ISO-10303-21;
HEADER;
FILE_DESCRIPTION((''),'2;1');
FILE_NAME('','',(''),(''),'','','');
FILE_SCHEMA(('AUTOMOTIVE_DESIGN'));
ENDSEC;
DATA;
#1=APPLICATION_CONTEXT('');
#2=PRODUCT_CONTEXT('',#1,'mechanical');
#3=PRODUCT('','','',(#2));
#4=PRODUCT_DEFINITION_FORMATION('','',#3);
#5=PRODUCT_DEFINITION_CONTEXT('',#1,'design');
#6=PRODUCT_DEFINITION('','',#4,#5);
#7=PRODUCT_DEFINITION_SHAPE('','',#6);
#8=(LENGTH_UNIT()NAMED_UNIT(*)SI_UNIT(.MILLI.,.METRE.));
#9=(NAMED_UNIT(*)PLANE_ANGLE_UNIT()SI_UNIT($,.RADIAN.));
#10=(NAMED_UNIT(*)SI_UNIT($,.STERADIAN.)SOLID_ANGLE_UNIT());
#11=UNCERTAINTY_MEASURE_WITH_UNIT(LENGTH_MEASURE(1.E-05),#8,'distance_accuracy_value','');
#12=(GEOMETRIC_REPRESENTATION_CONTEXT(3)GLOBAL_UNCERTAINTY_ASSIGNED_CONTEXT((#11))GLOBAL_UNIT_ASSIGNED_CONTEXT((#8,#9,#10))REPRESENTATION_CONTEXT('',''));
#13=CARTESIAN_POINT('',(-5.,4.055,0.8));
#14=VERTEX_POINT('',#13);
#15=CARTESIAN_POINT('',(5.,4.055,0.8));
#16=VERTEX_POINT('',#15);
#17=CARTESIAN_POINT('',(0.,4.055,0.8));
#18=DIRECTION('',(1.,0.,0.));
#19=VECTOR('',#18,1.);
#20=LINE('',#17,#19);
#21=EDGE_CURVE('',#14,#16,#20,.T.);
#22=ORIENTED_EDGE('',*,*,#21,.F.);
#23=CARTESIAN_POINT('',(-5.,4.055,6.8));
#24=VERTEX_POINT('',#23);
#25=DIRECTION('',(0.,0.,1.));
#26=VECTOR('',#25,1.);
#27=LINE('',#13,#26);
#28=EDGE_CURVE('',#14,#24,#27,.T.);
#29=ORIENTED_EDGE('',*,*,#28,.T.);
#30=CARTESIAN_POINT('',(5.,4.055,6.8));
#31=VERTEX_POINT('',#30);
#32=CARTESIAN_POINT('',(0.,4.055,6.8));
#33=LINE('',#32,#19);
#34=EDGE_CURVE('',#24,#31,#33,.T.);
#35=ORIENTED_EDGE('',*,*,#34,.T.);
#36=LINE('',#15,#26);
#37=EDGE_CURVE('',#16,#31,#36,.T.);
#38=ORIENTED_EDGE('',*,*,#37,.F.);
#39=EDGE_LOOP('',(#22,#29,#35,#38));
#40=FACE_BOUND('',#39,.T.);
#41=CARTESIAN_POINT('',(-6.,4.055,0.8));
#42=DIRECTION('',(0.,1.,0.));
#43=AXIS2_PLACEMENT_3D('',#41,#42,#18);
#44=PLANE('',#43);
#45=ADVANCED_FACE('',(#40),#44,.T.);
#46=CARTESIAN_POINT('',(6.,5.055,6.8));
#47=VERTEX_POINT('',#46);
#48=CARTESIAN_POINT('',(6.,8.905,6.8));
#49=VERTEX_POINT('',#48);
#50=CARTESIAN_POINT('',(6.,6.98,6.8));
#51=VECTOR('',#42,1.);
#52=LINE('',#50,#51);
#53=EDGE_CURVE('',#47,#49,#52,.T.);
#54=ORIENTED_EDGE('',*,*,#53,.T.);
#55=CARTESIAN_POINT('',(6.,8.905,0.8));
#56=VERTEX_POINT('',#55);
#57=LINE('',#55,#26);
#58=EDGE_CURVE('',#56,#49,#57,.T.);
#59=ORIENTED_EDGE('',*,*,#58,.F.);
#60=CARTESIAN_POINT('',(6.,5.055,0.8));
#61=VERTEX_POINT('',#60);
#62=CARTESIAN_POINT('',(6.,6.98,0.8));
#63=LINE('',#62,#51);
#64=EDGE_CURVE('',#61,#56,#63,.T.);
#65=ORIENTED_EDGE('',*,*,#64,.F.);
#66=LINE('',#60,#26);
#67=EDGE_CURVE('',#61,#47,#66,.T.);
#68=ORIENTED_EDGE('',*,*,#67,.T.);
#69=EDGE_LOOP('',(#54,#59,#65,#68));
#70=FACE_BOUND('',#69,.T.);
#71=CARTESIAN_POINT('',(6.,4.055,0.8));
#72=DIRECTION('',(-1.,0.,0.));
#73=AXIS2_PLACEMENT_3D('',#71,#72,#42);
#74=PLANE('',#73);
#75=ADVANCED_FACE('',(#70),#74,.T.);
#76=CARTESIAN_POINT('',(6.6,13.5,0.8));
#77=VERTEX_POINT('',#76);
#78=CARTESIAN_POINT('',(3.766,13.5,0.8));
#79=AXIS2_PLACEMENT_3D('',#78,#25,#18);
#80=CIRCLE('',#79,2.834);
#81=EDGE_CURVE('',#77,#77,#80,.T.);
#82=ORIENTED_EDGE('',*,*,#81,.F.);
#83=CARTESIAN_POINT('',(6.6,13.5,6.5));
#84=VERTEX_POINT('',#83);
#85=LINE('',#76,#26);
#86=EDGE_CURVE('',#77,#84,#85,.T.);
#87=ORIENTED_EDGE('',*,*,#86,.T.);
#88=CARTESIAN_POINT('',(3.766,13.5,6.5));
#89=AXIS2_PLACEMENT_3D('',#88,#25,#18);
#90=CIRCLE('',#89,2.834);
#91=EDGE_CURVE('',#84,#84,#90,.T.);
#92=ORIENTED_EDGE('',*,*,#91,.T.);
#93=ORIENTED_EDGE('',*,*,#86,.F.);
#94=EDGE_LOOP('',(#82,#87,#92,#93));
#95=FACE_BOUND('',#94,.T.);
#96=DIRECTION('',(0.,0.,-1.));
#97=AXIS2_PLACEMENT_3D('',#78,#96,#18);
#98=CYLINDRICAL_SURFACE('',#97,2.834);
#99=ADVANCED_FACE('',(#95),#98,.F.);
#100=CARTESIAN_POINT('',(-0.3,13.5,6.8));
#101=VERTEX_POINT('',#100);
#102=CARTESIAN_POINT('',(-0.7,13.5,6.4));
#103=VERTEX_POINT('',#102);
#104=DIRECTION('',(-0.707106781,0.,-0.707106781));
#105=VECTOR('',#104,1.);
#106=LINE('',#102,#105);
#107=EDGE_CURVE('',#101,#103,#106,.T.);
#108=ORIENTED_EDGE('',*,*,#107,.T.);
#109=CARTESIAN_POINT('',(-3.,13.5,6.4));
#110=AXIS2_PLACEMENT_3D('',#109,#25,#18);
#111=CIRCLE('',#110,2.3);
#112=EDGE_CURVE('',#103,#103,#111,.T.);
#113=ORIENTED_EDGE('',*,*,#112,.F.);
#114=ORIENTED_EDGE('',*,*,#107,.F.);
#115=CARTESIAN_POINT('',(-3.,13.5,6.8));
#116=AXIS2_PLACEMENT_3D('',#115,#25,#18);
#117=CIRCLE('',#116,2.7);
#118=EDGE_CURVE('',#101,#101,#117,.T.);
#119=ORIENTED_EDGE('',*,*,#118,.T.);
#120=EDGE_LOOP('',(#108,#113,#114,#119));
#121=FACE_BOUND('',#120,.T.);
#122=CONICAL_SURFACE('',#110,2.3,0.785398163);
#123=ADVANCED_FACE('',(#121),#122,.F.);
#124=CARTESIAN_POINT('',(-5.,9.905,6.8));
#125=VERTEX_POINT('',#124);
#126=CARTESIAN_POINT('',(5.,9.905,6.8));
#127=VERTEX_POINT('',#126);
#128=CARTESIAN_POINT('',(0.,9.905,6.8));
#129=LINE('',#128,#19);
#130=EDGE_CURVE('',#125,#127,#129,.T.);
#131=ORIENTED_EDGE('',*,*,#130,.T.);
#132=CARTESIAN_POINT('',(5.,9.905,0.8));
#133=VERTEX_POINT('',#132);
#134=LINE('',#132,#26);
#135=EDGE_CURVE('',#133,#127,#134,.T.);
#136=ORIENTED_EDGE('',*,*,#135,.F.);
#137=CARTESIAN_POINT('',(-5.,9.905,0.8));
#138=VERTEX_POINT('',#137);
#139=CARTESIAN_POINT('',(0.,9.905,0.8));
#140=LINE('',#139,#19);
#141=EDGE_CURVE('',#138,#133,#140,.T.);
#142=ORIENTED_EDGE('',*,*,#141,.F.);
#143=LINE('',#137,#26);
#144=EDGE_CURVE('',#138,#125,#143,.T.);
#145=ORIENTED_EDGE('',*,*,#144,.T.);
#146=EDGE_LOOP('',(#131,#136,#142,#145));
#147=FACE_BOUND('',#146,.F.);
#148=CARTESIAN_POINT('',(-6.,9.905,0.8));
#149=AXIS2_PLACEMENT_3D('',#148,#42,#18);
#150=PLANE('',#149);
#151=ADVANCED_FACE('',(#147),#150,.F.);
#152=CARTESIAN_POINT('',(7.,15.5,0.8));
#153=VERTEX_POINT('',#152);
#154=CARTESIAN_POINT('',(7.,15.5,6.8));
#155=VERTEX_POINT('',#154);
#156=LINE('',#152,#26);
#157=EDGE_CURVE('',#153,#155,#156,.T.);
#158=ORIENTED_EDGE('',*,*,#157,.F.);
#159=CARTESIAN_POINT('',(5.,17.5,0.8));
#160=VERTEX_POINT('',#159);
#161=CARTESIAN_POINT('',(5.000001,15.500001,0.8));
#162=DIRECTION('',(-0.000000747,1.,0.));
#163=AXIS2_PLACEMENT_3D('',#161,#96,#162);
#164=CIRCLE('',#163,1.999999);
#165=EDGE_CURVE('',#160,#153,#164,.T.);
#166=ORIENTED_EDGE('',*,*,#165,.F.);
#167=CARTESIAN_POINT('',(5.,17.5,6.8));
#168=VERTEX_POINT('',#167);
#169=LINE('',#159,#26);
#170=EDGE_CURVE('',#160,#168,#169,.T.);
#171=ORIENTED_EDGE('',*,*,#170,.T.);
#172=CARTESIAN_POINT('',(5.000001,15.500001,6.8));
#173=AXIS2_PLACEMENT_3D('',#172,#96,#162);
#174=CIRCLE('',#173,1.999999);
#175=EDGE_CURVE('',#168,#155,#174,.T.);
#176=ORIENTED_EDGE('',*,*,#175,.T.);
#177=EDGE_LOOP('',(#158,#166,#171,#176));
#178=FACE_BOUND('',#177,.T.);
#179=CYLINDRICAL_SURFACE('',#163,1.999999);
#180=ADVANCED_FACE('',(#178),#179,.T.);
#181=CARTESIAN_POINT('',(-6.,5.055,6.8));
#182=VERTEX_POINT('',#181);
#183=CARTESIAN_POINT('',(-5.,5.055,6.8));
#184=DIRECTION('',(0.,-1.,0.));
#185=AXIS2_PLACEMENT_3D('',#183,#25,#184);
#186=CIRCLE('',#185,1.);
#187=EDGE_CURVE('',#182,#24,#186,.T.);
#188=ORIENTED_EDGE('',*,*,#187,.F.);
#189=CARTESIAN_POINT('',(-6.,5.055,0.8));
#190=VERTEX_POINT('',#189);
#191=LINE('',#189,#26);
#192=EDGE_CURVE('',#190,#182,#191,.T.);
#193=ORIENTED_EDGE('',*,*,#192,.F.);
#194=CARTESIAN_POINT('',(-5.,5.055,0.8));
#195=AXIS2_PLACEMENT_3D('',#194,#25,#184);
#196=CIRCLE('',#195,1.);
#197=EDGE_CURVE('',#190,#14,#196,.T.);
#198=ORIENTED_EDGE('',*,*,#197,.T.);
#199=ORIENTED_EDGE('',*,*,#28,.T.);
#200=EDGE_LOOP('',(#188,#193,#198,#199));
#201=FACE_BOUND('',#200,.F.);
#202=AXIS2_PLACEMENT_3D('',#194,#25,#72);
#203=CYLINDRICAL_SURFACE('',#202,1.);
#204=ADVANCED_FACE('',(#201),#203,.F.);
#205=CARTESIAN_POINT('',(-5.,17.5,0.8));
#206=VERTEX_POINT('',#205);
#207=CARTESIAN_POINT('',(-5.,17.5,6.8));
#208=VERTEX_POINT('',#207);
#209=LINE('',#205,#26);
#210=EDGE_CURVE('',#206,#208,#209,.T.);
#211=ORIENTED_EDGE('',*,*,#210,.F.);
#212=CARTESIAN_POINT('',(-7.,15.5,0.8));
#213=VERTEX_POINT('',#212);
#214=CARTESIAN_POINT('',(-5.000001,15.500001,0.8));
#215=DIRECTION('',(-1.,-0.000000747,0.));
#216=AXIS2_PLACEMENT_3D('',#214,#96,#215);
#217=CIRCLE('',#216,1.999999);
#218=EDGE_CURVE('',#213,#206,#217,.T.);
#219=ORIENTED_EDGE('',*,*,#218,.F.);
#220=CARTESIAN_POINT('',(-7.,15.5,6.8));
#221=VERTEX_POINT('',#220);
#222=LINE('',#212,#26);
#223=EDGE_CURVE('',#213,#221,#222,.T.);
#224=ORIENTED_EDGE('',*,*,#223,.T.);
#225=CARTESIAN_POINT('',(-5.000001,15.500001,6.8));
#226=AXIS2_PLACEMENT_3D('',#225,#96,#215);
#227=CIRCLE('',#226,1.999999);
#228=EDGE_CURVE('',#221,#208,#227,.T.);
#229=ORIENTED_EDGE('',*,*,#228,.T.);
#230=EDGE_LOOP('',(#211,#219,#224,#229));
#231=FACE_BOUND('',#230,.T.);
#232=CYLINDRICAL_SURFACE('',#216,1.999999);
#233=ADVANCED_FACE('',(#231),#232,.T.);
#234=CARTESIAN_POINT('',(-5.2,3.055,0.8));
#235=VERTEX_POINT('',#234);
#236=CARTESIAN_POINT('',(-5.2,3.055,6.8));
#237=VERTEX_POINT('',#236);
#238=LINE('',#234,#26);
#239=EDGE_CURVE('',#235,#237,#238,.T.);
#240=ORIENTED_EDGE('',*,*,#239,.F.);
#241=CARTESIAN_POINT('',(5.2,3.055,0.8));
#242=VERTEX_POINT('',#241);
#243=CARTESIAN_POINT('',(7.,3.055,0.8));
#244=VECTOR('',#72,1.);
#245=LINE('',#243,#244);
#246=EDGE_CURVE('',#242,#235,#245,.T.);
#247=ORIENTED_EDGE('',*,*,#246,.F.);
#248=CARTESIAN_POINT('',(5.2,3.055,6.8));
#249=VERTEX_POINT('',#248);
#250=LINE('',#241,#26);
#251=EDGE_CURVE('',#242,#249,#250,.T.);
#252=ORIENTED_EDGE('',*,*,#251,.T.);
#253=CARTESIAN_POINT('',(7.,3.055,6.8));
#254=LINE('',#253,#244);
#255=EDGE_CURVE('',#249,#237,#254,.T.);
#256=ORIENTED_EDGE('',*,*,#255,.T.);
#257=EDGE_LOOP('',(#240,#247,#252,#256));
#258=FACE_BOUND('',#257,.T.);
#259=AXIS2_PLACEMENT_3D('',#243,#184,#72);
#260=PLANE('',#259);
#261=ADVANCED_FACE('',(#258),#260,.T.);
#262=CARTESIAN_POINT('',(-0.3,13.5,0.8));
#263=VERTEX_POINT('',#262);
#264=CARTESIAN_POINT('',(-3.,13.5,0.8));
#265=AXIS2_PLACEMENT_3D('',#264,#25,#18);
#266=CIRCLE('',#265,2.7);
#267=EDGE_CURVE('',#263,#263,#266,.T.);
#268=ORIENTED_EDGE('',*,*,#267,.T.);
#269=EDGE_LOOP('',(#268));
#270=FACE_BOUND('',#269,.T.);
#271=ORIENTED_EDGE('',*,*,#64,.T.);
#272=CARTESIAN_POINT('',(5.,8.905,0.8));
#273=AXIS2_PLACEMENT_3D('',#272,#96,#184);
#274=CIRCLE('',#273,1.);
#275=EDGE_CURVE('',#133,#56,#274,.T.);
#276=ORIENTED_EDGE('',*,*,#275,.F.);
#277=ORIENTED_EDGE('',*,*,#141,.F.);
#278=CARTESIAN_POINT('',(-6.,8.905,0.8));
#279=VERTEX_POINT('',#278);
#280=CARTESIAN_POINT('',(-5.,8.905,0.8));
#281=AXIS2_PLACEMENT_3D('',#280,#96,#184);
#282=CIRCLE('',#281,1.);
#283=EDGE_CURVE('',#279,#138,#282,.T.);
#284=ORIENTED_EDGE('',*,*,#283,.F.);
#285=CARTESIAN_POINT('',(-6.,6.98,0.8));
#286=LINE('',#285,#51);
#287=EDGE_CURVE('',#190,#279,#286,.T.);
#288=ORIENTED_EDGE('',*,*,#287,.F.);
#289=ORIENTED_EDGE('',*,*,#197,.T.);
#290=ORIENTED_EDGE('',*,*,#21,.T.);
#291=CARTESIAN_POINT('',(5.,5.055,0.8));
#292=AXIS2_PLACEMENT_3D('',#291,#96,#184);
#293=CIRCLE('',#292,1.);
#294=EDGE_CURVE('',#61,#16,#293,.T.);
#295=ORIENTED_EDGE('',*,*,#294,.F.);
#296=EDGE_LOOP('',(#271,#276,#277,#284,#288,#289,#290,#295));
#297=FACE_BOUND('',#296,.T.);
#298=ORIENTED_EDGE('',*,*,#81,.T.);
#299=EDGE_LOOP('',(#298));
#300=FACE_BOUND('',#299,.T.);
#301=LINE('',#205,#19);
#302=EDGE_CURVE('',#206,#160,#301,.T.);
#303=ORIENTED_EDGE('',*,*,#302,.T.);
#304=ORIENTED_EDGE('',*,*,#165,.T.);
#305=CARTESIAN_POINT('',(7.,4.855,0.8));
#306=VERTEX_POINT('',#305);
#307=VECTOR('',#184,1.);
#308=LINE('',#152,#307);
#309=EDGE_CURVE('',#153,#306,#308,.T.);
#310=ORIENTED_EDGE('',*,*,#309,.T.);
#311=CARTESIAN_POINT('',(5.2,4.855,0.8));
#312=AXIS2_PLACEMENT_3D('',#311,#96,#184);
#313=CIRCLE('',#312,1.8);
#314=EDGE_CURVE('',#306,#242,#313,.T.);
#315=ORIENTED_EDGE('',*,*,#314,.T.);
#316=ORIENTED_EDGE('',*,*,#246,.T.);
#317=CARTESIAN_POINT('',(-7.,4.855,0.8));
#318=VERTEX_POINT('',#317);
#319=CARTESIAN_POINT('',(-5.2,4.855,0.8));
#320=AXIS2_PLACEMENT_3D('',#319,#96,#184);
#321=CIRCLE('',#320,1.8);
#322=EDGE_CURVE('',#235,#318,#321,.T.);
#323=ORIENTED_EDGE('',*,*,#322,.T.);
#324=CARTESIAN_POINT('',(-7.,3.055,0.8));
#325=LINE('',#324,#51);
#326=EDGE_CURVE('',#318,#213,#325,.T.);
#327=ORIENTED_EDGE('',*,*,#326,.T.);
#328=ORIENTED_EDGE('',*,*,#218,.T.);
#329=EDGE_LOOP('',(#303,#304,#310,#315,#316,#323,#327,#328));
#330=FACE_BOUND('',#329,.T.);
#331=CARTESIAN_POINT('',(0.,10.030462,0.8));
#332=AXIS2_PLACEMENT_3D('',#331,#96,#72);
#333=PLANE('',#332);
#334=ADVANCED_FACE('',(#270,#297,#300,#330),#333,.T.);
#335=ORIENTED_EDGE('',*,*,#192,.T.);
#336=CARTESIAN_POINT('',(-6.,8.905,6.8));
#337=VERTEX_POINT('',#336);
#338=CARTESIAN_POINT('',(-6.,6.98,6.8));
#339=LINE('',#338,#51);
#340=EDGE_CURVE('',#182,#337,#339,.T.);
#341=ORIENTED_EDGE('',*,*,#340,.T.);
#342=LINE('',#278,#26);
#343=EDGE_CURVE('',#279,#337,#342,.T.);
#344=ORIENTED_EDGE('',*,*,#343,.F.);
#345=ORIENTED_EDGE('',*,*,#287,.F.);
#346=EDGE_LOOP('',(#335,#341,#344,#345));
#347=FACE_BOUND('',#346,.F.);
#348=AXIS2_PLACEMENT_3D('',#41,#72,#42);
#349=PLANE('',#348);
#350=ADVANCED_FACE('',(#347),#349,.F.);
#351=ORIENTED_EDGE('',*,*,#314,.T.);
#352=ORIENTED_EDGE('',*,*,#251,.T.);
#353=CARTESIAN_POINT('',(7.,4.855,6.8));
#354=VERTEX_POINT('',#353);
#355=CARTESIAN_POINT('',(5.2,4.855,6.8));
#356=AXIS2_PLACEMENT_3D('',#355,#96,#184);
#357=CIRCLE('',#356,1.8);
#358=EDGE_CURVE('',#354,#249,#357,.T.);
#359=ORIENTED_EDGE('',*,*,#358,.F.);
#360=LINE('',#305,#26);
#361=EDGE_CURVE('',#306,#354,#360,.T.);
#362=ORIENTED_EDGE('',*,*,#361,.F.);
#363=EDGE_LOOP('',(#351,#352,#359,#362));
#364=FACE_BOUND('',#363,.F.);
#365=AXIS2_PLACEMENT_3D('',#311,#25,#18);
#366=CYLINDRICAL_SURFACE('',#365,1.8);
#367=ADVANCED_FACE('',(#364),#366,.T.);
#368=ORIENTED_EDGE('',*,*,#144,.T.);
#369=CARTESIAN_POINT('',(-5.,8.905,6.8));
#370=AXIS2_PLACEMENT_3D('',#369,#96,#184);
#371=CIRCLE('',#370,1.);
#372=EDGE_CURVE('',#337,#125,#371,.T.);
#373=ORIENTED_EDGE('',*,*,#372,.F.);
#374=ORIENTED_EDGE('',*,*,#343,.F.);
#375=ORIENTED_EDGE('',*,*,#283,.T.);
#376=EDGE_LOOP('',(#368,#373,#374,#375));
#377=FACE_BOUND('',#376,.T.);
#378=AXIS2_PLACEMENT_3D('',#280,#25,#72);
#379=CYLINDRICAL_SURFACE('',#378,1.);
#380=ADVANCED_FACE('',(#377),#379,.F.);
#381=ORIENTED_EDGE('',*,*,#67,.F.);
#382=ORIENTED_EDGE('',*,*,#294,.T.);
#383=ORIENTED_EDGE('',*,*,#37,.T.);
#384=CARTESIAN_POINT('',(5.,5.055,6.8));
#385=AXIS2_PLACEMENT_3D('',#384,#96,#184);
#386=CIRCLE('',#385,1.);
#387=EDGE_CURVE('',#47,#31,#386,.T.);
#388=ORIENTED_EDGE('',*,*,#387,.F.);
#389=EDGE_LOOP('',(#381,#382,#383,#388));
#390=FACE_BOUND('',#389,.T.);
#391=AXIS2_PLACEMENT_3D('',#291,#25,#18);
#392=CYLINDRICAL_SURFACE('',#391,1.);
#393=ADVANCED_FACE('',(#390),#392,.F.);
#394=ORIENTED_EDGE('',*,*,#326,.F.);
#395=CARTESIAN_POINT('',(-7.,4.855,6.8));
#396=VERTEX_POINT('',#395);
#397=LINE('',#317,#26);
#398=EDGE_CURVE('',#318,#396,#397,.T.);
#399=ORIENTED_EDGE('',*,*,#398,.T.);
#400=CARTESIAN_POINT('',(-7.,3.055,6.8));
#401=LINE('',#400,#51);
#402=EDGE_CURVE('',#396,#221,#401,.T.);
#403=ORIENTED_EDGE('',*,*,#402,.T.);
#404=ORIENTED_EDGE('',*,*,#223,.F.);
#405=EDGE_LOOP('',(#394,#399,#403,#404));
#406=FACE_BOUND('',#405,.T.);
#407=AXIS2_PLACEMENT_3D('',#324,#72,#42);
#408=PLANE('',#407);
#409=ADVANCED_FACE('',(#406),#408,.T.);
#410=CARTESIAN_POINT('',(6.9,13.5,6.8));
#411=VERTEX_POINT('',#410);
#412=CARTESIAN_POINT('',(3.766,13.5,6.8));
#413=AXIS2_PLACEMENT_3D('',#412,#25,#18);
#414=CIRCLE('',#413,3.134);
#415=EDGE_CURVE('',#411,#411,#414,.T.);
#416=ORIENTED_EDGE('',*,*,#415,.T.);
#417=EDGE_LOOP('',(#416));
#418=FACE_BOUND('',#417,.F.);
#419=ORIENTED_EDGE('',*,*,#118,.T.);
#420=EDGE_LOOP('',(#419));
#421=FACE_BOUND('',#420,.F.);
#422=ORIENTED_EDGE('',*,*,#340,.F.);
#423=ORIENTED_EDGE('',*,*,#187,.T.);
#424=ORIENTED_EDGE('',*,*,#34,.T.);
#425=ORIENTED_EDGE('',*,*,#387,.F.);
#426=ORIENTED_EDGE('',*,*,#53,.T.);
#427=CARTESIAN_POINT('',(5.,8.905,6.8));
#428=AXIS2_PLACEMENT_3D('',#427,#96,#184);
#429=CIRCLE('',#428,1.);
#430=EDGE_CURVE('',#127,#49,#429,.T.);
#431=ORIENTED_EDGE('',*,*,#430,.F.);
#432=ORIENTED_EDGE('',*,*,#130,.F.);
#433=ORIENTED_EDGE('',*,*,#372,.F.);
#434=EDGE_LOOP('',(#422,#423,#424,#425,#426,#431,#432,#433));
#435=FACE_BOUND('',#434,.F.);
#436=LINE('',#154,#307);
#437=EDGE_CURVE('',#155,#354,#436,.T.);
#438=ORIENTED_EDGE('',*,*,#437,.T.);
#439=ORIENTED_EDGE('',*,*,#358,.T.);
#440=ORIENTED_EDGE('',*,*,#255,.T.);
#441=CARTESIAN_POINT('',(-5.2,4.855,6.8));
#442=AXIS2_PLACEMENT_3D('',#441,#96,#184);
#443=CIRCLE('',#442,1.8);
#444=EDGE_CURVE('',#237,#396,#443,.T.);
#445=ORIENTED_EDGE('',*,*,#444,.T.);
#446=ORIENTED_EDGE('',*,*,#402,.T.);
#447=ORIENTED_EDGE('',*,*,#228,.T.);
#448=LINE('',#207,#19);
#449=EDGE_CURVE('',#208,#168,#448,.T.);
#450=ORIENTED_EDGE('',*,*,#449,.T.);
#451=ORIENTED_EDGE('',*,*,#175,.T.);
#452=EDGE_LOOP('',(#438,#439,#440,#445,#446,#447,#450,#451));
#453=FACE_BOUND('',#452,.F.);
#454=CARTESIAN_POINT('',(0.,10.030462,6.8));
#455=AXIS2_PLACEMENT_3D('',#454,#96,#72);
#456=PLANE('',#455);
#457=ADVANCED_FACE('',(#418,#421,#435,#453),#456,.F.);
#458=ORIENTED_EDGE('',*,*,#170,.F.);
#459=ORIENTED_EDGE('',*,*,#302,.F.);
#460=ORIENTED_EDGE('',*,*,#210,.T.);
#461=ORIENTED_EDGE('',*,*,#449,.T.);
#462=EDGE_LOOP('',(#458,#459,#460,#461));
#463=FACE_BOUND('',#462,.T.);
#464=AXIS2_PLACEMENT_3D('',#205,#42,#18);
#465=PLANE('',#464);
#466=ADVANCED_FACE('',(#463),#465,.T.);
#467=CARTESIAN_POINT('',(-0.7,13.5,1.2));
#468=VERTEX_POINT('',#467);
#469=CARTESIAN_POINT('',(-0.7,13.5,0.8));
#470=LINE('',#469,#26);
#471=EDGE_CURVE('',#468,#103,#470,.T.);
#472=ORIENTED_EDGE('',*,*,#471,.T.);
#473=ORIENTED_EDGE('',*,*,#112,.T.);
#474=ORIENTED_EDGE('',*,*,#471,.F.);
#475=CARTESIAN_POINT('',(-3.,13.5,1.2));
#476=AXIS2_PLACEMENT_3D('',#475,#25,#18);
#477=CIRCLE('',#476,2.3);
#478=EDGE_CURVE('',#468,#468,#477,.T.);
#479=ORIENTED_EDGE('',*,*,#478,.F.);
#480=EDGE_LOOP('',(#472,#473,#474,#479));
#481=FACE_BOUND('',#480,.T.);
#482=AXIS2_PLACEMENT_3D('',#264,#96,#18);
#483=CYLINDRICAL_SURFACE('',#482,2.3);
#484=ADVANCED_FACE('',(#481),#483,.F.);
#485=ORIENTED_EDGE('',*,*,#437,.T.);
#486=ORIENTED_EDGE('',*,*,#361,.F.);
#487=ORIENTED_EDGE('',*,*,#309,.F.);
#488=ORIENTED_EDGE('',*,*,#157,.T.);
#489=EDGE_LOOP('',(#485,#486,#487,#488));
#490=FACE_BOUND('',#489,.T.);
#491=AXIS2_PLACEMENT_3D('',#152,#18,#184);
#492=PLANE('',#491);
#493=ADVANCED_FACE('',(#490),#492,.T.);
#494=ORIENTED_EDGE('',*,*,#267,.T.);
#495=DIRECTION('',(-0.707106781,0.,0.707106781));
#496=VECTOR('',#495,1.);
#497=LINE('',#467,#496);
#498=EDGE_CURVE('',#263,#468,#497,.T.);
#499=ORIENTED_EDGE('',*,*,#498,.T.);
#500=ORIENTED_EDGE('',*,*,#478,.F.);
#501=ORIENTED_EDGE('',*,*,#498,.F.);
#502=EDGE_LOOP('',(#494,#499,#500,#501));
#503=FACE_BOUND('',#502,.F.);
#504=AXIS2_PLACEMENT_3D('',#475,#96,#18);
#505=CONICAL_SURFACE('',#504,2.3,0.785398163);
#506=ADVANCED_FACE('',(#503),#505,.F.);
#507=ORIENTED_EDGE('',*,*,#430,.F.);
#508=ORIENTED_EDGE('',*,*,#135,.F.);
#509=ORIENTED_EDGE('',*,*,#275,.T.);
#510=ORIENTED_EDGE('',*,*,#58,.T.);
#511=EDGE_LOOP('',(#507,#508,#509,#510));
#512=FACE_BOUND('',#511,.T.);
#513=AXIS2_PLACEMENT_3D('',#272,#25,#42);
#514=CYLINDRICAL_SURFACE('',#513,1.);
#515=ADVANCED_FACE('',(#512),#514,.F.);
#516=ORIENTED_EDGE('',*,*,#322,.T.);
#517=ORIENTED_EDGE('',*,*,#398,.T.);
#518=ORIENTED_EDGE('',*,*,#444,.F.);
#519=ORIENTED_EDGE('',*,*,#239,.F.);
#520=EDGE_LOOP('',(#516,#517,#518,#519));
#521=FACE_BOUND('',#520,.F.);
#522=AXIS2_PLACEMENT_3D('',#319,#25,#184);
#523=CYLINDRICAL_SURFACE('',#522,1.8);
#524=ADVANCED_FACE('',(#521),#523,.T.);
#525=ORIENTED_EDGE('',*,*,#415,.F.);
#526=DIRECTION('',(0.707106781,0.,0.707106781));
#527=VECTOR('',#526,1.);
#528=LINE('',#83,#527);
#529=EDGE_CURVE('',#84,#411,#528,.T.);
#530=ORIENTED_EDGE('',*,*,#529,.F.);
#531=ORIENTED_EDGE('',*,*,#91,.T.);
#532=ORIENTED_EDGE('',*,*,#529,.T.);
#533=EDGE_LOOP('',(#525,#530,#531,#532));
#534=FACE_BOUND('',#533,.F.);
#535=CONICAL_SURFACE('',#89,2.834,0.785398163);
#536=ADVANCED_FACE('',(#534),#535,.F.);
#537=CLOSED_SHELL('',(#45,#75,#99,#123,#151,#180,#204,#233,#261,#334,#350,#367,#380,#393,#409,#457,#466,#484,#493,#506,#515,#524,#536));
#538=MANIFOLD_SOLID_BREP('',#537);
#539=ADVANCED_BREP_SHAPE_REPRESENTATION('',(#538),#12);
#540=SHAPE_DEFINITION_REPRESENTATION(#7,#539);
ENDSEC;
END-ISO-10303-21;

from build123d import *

# Parameters (mm, degrees)
SKETCH_R        = 2.3
SKETCH_R_2      = 2.834
SKETCH_W        = 12
SKETCH_H        = 5.85
PAD_DEPTH       = 6
FILLET_R        = 1
CHAMFER_SIZE    = 0.4
CHAMFER001_SIZE = 0.3
FILLET001_R     = 1.8


with BuildPart() as part:
    # Sketch (on XY_Plane of Origin) → Pad (new body)
    with BuildSketch(Plane.XY):
        with BuildLine():
            Line((7, 15.5), (7, 3.055))
            Line((7, 3.055), (-7, 3.055))
            Line((-7, 3.055), (-7, 15.5))
            ThreePointArc((-7, 15.5), (-6.414214, 16.914214), (-5, 17.5))
            Line((-5, 17.5), (5, 17.5))
            ThreePointArc((5, 17.5), (6.414214, 16.914214), (7, 15.5))
        make_face()
        with Locations((-3, 13.5)):
            Circle(SKETCH_R, mode=Mode.SUBTRACT)
        with Locations((3.766, 13.5)):
            Circle(SKETCH_R_2, mode=Mode.SUBTRACT)
        with Locations((0, 6.98)):
            Rectangle(SKETCH_W, SKETCH_H, mode=Mode.SUBTRACT)
    extrude(amount=PAD_DEPTH)

    # Fillet
    fillet_edges = [part.edges().sort_by_distance(p)[0] for p in [
        (6, 9.905, 3),
        (6, 4.055, 3),
        (-6, 9.905, 3),
        (-6, 4.055, 3),
    ]]
    fillet(fillet_edges, radius=FILLET_R)

    # Chamfer
    chamfer_edges = [part.edges().sort_by_distance(p)[0] for p in [
        (-5.3, 13.5, 0),
        (-5.3, 13.5, 6),
    ]]
    chamfer(chamfer_edges, length=CHAMFER_SIZE)

    # Chamfer001
    chamfer001_edges = [part.edges().sort_by_distance(p)[0] for p in [
        (0.932, 13.5, 6),
    ]]
    chamfer(chamfer001_edges, length=CHAMFER001_SIZE)

    # Fillet001
    fillet001_edges = [part.edges().sort_by_distance(p)[0] for p in [
        (-7, 3.055, 3),
        (7, 3.055, 3),
    ]]
    fillet(fillet001_edges, radius=FILLET001_R)


with BuildPart() as part_1:
    # Body placement: moved
    add(part.part.moved(Location((0, 0, 0.8))))


solid = part_1.part
